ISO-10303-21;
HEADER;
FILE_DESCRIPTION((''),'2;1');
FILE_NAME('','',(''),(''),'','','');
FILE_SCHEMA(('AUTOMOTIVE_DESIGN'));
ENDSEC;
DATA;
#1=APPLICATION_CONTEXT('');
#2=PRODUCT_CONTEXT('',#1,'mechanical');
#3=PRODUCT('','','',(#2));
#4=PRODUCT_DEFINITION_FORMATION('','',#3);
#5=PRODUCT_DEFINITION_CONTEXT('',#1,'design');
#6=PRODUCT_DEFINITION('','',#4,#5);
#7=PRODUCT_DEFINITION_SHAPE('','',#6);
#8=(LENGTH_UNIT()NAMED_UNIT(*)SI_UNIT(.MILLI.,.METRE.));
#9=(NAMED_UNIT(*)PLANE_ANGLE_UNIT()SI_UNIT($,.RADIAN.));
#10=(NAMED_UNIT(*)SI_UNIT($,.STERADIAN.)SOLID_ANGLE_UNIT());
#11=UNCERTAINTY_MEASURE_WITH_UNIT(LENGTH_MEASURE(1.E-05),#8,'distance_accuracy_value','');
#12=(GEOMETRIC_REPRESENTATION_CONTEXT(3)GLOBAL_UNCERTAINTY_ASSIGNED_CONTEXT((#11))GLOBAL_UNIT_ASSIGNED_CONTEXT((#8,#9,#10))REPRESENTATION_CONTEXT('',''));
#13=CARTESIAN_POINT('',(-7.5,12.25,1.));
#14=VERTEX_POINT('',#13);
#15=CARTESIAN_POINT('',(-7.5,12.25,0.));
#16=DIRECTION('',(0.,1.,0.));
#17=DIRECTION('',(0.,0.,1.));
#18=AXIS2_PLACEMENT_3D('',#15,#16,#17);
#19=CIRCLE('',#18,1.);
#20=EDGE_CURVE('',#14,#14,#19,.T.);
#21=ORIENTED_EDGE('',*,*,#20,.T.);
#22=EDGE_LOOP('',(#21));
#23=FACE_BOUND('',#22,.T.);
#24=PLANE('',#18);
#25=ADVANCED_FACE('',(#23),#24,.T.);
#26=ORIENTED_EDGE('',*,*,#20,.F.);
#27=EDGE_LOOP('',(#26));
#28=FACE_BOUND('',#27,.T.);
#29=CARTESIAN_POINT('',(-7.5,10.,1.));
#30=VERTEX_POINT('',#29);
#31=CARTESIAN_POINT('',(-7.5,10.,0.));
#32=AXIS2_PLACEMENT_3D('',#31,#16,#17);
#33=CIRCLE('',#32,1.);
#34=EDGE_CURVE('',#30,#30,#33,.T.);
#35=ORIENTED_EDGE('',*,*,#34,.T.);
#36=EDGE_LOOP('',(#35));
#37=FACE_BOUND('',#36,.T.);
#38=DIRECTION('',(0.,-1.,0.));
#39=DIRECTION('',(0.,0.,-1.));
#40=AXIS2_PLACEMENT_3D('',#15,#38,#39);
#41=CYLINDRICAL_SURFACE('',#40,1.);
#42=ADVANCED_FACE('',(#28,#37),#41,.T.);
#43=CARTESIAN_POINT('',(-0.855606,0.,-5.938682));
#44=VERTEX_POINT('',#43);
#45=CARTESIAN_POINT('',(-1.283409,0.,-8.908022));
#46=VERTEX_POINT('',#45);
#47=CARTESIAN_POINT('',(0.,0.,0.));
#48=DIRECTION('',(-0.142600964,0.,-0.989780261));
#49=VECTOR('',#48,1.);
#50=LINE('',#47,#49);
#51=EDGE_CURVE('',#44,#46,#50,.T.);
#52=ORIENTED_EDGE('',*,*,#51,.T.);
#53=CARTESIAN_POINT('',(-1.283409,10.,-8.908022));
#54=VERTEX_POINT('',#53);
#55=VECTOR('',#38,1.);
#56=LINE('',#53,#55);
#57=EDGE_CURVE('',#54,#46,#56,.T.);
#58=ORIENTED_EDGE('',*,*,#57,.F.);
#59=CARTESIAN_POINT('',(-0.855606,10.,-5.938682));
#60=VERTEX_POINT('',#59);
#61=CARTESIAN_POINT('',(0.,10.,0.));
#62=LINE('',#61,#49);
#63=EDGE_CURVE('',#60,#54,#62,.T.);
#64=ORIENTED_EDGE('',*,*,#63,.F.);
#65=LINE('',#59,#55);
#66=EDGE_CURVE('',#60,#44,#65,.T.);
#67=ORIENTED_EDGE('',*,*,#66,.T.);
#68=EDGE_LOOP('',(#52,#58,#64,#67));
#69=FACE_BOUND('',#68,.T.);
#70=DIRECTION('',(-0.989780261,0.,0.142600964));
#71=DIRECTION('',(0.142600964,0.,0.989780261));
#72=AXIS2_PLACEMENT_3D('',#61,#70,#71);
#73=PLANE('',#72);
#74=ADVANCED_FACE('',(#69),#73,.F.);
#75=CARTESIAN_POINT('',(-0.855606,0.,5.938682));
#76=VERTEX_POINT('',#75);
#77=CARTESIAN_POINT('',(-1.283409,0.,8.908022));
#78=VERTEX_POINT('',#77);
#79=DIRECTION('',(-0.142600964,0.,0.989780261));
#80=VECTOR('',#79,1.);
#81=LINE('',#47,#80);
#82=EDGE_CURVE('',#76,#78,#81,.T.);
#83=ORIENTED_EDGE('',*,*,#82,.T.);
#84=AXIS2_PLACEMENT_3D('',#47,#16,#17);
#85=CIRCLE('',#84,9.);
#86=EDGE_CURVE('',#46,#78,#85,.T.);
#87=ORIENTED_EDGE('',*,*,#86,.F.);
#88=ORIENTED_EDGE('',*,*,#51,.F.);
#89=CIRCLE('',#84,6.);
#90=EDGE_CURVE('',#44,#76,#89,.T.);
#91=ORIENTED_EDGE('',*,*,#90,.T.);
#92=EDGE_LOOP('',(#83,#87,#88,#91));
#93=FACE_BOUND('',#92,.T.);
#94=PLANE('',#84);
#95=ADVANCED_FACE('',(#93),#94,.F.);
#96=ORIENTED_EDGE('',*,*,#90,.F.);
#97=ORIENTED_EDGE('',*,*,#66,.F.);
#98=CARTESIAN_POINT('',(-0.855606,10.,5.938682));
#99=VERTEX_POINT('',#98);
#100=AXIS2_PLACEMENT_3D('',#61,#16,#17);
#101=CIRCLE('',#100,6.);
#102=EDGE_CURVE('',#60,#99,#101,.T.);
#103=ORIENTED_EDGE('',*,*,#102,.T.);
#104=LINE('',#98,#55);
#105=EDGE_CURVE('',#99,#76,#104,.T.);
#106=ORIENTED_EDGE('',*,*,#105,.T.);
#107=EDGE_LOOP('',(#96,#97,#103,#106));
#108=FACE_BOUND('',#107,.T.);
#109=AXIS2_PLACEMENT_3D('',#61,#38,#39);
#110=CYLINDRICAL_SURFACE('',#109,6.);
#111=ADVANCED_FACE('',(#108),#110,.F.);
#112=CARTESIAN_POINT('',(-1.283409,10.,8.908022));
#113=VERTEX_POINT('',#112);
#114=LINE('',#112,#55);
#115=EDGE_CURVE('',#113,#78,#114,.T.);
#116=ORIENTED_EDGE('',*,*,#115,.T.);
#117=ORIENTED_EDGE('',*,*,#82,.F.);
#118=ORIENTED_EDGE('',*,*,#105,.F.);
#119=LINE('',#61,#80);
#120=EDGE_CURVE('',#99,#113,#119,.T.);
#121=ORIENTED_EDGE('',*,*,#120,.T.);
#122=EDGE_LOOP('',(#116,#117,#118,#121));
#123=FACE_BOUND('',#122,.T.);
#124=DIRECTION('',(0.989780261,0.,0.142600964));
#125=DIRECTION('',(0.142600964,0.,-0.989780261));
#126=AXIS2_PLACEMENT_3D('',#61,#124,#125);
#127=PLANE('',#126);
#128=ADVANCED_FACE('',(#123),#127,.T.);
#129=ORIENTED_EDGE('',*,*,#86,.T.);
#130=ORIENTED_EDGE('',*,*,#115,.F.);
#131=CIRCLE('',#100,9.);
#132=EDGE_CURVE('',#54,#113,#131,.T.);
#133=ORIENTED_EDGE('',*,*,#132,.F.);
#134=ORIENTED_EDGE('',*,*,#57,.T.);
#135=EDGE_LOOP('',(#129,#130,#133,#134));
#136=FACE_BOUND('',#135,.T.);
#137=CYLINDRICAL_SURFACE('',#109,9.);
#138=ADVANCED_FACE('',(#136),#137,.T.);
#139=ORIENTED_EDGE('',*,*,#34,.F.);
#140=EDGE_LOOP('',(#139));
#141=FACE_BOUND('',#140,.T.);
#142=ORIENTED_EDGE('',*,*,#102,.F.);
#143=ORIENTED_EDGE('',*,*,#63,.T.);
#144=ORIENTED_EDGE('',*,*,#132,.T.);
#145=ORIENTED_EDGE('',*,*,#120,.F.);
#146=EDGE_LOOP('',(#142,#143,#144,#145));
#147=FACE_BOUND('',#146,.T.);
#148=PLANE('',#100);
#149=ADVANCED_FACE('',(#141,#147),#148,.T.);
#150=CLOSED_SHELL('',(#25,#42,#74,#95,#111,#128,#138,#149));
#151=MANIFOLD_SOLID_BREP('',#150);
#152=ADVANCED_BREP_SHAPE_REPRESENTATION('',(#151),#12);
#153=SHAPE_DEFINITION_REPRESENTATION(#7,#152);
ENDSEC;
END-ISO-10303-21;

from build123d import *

# Parameters (mm, degrees)
BOSS_EXTRUDE1_DEPTH = 10
SKETCH2_R           = 1
BOSS_EXTRUDE2_DEPTH = 2.25


with BuildPart() as part:
    # Sketch1 → Boss-Extrude1 (new body)
    with BuildSketch(Plane(origin=(0, 0, 0), x_dir=(1, 0, 0), z_dir=(0, 1, 0))):
        with BuildLine():
            ThreePointArc((-0.855605783, -5.938681566), (-6, 0), (-0.855605783, 5.938681566))
            Line((-0.855605783, 5.938681566), (-1.283408674, 8.908022349))
            ThreePointArc((-1.283408674, 8.908022349), (-9, 0), (-1.283408674, -8.908022349))
            Line((-1.283408674, -8.908022349), (-0.855605783, -5.938681566))
        make_face()
    extrude(amount=BOSS_EXTRUDE1_DEPTH)

    # Sketch2 → Boss-Extrude2 (add)
    with BuildSketch(Plane(origin=(0, 10, 0), x_dir=(1, 0, 0), z_dir=(0, 1, 0))):
        with Locations(Location((-7.5, 0, 0), (0, 0, 270))):
            Circle(SKETCH2_R)
    extrude(amount=BOSS_EXTRUDE2_DEPTH)


solid = part.part
